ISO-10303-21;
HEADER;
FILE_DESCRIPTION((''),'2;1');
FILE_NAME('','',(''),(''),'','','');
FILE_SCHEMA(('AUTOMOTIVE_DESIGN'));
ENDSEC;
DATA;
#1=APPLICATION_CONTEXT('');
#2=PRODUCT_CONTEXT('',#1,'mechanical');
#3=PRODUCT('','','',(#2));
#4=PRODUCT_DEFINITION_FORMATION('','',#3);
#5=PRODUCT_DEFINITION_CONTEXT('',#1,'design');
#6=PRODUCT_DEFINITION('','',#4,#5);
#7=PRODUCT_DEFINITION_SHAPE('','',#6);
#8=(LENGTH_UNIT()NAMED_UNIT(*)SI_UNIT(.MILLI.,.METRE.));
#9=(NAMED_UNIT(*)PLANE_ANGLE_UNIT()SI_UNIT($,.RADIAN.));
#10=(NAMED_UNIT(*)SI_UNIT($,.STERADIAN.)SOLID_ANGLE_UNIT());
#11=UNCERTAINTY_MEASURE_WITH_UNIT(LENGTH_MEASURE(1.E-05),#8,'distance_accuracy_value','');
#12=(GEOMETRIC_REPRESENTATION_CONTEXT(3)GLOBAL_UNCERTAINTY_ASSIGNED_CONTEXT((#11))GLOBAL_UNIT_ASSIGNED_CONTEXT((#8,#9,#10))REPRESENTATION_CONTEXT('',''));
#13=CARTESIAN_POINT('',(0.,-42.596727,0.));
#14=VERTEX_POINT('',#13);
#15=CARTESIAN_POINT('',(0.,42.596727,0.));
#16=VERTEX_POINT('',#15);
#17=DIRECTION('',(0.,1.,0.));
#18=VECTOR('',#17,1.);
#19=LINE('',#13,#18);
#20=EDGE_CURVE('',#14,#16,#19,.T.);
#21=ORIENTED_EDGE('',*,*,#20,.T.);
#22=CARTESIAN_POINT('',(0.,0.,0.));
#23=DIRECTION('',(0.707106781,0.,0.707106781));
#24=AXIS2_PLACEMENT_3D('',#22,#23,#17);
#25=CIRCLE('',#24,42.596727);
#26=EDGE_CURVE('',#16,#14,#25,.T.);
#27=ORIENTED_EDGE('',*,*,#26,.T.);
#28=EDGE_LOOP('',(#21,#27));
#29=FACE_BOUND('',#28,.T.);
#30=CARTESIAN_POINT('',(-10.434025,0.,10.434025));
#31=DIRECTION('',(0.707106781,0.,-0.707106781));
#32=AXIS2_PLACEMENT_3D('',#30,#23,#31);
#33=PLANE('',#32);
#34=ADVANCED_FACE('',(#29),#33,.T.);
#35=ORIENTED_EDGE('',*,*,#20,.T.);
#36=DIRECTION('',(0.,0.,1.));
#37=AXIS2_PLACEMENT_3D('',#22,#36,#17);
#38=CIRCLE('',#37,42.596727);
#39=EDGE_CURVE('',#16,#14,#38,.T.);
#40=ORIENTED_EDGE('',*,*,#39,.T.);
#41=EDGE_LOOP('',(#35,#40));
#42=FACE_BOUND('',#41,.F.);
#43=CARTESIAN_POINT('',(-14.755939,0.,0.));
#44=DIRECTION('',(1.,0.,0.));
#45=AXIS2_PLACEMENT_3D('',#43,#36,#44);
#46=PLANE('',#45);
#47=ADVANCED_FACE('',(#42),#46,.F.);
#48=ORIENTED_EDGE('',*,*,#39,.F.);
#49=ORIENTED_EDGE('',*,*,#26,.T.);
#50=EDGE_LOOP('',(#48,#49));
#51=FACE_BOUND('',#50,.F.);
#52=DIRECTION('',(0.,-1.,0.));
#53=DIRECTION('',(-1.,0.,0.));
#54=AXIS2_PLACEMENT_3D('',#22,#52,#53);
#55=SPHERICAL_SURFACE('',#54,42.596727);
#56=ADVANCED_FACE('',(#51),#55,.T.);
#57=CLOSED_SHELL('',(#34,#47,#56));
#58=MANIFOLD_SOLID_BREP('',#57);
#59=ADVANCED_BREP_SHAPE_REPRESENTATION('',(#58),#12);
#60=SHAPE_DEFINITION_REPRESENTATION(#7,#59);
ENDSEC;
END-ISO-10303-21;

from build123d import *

# Parameters (mm, degrees)
F1_ANGLE = -45


with BuildPart() as f1:
    # F0 (on Top) → F1 (revolve)
    with BuildSketch(Plane.XY):
        with BuildLine():
            Line((0, -42.596727), (0, 42.596727))
            ThreePointArc((0, 42.596727), (-42.596727, 0), (0, -42.596727))
        make_face()
    revolve(axis=Axis((0, 0, 0), (0, -1, 0)), revolution_arc=F1_ANGLE)


solid = f1.part
